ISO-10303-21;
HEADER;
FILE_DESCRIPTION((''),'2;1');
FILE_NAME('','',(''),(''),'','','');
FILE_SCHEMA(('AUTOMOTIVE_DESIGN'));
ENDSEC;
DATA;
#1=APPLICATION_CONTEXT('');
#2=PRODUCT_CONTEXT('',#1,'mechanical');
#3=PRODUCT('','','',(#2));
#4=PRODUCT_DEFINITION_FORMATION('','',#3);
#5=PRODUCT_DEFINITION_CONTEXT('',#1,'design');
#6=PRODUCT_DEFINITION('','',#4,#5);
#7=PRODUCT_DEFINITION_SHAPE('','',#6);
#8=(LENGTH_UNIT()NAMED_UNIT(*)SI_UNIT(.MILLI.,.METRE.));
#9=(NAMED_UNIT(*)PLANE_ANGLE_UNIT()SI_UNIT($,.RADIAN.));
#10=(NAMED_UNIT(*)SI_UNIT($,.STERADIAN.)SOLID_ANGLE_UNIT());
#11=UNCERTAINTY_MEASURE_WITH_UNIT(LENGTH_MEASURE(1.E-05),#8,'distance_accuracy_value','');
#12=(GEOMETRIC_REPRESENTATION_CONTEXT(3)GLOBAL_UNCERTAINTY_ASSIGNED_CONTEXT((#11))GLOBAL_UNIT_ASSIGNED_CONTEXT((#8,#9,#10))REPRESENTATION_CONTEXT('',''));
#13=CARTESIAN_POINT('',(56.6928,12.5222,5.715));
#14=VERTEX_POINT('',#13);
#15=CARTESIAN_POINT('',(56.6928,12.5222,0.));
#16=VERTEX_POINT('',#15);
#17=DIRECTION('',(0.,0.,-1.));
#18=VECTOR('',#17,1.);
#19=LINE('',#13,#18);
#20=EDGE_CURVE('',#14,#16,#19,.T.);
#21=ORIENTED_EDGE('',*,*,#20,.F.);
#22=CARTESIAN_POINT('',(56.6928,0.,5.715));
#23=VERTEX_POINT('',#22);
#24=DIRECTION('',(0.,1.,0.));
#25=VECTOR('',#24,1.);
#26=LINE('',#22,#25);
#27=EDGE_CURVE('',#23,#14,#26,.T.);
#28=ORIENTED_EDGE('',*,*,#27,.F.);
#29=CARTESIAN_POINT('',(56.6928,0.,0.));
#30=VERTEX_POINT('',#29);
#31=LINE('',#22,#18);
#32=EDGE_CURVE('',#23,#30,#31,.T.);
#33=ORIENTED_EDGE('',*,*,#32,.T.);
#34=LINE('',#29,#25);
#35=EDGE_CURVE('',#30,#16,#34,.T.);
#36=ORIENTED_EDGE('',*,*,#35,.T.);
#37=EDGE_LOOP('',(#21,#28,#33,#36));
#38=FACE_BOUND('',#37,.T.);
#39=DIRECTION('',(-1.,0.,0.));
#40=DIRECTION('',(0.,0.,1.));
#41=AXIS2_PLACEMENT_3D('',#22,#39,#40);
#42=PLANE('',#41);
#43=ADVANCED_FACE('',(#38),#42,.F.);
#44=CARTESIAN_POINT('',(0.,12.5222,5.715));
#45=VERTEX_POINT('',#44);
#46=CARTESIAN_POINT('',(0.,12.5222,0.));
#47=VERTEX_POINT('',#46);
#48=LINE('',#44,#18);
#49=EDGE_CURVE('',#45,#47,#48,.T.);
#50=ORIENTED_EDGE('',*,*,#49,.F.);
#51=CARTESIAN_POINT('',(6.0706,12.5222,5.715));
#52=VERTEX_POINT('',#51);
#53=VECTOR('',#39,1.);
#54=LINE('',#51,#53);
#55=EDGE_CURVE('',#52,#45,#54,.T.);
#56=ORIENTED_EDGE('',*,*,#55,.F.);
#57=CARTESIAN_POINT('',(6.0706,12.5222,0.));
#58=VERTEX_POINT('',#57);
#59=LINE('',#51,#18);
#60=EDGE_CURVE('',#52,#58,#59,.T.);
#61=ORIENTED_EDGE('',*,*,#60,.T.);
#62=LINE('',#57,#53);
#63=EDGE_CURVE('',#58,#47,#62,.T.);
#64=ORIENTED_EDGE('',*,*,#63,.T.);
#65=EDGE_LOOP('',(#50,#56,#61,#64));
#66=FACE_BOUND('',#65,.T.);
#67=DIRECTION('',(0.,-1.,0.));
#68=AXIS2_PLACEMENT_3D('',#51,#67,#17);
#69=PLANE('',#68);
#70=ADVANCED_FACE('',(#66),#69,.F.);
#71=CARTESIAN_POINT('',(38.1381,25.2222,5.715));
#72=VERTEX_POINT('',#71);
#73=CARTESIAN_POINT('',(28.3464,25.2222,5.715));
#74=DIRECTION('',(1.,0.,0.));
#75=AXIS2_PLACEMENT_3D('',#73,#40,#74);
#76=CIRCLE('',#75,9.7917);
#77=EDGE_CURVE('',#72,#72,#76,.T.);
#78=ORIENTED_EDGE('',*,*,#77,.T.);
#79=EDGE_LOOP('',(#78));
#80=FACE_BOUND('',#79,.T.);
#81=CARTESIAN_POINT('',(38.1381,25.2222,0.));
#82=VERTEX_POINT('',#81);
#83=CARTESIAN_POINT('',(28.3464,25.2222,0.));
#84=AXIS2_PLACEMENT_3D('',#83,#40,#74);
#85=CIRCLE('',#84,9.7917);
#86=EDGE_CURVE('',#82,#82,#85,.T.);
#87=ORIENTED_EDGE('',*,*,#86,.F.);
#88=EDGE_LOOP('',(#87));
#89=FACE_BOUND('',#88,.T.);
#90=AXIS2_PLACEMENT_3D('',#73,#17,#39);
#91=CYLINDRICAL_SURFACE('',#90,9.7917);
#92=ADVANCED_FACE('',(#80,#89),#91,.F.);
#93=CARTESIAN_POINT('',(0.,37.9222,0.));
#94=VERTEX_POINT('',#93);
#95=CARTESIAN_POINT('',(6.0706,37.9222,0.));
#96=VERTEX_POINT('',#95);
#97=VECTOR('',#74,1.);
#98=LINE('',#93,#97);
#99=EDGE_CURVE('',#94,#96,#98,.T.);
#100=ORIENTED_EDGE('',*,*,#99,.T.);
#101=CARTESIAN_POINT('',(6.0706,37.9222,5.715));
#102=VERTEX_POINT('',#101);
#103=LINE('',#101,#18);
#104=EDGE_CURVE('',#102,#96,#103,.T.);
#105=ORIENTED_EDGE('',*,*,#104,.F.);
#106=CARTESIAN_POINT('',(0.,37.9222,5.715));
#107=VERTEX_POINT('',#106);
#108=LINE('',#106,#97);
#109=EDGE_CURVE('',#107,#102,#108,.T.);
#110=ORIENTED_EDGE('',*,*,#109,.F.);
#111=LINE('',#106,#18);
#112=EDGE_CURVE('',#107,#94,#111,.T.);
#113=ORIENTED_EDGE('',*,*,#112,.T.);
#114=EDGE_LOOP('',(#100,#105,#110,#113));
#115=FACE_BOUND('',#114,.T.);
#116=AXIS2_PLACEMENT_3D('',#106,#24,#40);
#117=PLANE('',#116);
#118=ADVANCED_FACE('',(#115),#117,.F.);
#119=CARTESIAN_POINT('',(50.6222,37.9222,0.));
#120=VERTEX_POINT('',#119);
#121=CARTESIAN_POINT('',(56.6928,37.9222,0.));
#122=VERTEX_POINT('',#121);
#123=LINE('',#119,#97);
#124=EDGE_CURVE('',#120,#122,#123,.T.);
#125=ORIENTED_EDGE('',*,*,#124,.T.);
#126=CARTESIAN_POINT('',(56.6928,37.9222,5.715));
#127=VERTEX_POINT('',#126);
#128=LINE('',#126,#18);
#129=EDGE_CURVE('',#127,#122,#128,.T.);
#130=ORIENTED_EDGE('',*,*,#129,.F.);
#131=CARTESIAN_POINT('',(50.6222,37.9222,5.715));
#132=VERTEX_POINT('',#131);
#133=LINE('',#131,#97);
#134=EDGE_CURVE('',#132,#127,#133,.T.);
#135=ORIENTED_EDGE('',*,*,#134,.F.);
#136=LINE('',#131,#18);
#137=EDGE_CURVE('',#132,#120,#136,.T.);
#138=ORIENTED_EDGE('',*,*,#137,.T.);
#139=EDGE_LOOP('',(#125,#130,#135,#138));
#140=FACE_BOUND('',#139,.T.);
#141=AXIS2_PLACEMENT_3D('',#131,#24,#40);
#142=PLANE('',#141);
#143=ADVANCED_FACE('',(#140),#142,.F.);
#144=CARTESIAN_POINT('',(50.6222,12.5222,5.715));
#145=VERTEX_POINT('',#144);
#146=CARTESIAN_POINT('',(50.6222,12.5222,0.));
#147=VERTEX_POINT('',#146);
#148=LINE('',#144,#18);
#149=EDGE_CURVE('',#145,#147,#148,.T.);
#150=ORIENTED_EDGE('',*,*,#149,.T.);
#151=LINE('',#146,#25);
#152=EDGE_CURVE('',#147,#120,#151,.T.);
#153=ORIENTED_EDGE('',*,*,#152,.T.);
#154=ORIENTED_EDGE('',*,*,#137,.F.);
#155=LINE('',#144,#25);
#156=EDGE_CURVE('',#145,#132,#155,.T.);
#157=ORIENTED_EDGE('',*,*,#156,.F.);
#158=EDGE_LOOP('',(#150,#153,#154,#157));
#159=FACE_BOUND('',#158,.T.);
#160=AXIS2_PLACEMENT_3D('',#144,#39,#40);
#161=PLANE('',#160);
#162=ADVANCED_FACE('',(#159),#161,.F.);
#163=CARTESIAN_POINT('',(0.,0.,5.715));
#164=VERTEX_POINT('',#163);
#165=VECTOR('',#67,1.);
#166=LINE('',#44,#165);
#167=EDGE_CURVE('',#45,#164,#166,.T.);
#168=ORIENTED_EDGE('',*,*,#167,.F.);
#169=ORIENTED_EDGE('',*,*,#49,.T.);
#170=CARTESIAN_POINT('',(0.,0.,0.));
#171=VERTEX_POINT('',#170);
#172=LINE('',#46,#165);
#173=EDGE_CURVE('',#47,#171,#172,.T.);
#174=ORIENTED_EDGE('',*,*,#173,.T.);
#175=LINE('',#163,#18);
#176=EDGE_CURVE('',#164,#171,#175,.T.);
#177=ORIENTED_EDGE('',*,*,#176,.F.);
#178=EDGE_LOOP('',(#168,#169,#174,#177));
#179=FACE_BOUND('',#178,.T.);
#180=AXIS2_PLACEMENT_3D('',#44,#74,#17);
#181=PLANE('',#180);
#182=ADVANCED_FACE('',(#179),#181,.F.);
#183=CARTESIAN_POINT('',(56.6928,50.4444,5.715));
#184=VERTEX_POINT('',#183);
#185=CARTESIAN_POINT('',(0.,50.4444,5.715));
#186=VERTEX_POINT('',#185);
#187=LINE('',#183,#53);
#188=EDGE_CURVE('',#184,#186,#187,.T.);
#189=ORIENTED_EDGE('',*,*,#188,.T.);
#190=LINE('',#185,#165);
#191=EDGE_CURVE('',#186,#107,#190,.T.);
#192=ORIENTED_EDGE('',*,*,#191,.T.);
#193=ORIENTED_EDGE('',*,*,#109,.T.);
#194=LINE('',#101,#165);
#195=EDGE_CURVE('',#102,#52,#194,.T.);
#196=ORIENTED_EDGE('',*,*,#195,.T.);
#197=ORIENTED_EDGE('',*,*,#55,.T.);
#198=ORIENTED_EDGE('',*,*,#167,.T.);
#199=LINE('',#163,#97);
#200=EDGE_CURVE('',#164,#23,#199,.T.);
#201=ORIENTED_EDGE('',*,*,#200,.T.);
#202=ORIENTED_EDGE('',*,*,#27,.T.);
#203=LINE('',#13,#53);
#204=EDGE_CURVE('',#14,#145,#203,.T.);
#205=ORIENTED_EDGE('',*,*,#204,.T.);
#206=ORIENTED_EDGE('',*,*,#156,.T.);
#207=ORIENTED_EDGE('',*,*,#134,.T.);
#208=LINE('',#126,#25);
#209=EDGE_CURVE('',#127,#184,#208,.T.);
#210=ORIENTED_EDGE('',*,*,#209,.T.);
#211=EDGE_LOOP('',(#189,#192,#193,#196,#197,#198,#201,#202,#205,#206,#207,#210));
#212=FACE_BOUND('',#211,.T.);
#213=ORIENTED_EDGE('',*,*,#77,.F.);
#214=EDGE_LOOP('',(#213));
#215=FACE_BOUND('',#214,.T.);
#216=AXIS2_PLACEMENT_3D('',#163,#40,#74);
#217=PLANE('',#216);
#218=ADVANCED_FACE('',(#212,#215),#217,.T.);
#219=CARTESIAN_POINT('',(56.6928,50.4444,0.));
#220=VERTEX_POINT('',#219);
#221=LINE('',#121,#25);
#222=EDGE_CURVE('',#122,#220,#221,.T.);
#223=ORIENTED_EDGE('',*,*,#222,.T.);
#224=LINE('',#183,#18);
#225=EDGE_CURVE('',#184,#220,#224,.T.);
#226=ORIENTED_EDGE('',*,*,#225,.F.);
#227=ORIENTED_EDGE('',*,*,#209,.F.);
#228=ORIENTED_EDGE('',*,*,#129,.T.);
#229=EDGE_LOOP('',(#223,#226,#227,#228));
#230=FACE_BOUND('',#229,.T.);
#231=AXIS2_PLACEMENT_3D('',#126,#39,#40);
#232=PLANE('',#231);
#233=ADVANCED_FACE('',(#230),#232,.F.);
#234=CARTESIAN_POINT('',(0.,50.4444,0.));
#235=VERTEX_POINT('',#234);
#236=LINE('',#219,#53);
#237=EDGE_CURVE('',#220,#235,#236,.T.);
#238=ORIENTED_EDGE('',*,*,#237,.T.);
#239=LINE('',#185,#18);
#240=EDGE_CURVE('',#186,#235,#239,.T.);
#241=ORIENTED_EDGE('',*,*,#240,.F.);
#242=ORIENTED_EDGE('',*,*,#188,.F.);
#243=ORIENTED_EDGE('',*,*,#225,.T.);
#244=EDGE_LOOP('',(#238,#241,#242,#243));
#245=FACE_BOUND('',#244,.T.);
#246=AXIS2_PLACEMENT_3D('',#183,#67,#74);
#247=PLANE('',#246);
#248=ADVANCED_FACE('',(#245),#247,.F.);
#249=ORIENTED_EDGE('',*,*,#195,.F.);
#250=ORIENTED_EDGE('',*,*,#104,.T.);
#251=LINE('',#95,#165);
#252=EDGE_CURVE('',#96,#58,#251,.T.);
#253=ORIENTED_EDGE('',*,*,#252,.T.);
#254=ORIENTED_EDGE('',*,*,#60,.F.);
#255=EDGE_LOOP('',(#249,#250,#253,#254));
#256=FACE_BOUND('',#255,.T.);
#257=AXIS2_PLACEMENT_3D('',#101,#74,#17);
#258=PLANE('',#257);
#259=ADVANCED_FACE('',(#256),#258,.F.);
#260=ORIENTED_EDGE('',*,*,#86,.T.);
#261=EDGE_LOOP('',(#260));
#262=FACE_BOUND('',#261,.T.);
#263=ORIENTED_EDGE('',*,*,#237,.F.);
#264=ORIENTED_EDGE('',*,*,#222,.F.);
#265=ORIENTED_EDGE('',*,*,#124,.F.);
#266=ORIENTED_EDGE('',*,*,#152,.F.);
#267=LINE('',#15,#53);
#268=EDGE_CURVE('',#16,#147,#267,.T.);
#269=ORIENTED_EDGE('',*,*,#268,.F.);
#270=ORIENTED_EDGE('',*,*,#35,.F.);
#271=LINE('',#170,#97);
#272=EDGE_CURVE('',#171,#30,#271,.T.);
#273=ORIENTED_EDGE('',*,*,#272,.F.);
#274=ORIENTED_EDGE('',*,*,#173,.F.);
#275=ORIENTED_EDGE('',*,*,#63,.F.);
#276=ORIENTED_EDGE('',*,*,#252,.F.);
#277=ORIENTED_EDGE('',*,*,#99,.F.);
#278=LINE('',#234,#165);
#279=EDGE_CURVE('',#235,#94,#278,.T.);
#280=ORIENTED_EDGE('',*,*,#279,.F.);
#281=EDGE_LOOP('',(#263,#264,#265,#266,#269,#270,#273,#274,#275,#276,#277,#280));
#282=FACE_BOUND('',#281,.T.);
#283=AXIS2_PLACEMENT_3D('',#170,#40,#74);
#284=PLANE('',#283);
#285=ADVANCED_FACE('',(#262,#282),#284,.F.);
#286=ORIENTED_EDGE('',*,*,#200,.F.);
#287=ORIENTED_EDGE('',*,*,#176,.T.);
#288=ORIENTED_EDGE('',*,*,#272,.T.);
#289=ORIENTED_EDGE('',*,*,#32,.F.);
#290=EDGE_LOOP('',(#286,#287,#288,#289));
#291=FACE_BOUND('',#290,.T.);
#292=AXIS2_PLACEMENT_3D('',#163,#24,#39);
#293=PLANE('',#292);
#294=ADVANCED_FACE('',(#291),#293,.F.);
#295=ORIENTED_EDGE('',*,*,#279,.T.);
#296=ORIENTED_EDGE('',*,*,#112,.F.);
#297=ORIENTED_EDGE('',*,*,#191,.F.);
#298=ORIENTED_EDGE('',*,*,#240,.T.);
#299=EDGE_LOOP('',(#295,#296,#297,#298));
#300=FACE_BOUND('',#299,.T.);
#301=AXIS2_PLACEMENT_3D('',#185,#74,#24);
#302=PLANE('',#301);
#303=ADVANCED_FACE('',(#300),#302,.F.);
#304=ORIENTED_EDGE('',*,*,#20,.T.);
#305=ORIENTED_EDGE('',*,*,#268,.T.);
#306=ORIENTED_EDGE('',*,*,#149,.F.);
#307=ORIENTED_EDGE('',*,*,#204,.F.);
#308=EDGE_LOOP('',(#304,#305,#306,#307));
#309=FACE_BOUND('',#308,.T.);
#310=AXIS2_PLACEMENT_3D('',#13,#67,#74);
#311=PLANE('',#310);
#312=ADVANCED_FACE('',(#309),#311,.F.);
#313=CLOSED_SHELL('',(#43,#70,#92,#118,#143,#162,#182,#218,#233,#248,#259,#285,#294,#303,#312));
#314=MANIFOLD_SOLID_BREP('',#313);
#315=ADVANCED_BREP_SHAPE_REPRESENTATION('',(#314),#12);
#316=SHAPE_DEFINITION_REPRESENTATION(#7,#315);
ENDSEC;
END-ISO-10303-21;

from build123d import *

# Parameters (mm, degrees)
SKETCH1_R           = 9.7917
BOSS_EXTRUDE1_DEPTH = 5.715


with BuildPart() as part:
    # Sketch1 → Boss-Extrude1 (new body)
    with BuildSketch(Plane.XY):
        Polygon((0, 0), (56.6928, 0), (56.6928, 12.5222), (50.6222, 12.5222), (50.6222, 37.9222), (56.6928, 37.9222), (56.6928, 50.4444), (0, 50.4444), (0, 37.9222), (6.0706, 37.9222), (6.0706, 12.5222), (0, 12.5222), align=None)
        with Locations((28.3464, 25.2222)):
            Circle(SKETCH1_R, mode=Mode.SUBTRACT)
    extrude(amount=BOSS_EXTRUDE1_DEPTH)


solid = part.part
